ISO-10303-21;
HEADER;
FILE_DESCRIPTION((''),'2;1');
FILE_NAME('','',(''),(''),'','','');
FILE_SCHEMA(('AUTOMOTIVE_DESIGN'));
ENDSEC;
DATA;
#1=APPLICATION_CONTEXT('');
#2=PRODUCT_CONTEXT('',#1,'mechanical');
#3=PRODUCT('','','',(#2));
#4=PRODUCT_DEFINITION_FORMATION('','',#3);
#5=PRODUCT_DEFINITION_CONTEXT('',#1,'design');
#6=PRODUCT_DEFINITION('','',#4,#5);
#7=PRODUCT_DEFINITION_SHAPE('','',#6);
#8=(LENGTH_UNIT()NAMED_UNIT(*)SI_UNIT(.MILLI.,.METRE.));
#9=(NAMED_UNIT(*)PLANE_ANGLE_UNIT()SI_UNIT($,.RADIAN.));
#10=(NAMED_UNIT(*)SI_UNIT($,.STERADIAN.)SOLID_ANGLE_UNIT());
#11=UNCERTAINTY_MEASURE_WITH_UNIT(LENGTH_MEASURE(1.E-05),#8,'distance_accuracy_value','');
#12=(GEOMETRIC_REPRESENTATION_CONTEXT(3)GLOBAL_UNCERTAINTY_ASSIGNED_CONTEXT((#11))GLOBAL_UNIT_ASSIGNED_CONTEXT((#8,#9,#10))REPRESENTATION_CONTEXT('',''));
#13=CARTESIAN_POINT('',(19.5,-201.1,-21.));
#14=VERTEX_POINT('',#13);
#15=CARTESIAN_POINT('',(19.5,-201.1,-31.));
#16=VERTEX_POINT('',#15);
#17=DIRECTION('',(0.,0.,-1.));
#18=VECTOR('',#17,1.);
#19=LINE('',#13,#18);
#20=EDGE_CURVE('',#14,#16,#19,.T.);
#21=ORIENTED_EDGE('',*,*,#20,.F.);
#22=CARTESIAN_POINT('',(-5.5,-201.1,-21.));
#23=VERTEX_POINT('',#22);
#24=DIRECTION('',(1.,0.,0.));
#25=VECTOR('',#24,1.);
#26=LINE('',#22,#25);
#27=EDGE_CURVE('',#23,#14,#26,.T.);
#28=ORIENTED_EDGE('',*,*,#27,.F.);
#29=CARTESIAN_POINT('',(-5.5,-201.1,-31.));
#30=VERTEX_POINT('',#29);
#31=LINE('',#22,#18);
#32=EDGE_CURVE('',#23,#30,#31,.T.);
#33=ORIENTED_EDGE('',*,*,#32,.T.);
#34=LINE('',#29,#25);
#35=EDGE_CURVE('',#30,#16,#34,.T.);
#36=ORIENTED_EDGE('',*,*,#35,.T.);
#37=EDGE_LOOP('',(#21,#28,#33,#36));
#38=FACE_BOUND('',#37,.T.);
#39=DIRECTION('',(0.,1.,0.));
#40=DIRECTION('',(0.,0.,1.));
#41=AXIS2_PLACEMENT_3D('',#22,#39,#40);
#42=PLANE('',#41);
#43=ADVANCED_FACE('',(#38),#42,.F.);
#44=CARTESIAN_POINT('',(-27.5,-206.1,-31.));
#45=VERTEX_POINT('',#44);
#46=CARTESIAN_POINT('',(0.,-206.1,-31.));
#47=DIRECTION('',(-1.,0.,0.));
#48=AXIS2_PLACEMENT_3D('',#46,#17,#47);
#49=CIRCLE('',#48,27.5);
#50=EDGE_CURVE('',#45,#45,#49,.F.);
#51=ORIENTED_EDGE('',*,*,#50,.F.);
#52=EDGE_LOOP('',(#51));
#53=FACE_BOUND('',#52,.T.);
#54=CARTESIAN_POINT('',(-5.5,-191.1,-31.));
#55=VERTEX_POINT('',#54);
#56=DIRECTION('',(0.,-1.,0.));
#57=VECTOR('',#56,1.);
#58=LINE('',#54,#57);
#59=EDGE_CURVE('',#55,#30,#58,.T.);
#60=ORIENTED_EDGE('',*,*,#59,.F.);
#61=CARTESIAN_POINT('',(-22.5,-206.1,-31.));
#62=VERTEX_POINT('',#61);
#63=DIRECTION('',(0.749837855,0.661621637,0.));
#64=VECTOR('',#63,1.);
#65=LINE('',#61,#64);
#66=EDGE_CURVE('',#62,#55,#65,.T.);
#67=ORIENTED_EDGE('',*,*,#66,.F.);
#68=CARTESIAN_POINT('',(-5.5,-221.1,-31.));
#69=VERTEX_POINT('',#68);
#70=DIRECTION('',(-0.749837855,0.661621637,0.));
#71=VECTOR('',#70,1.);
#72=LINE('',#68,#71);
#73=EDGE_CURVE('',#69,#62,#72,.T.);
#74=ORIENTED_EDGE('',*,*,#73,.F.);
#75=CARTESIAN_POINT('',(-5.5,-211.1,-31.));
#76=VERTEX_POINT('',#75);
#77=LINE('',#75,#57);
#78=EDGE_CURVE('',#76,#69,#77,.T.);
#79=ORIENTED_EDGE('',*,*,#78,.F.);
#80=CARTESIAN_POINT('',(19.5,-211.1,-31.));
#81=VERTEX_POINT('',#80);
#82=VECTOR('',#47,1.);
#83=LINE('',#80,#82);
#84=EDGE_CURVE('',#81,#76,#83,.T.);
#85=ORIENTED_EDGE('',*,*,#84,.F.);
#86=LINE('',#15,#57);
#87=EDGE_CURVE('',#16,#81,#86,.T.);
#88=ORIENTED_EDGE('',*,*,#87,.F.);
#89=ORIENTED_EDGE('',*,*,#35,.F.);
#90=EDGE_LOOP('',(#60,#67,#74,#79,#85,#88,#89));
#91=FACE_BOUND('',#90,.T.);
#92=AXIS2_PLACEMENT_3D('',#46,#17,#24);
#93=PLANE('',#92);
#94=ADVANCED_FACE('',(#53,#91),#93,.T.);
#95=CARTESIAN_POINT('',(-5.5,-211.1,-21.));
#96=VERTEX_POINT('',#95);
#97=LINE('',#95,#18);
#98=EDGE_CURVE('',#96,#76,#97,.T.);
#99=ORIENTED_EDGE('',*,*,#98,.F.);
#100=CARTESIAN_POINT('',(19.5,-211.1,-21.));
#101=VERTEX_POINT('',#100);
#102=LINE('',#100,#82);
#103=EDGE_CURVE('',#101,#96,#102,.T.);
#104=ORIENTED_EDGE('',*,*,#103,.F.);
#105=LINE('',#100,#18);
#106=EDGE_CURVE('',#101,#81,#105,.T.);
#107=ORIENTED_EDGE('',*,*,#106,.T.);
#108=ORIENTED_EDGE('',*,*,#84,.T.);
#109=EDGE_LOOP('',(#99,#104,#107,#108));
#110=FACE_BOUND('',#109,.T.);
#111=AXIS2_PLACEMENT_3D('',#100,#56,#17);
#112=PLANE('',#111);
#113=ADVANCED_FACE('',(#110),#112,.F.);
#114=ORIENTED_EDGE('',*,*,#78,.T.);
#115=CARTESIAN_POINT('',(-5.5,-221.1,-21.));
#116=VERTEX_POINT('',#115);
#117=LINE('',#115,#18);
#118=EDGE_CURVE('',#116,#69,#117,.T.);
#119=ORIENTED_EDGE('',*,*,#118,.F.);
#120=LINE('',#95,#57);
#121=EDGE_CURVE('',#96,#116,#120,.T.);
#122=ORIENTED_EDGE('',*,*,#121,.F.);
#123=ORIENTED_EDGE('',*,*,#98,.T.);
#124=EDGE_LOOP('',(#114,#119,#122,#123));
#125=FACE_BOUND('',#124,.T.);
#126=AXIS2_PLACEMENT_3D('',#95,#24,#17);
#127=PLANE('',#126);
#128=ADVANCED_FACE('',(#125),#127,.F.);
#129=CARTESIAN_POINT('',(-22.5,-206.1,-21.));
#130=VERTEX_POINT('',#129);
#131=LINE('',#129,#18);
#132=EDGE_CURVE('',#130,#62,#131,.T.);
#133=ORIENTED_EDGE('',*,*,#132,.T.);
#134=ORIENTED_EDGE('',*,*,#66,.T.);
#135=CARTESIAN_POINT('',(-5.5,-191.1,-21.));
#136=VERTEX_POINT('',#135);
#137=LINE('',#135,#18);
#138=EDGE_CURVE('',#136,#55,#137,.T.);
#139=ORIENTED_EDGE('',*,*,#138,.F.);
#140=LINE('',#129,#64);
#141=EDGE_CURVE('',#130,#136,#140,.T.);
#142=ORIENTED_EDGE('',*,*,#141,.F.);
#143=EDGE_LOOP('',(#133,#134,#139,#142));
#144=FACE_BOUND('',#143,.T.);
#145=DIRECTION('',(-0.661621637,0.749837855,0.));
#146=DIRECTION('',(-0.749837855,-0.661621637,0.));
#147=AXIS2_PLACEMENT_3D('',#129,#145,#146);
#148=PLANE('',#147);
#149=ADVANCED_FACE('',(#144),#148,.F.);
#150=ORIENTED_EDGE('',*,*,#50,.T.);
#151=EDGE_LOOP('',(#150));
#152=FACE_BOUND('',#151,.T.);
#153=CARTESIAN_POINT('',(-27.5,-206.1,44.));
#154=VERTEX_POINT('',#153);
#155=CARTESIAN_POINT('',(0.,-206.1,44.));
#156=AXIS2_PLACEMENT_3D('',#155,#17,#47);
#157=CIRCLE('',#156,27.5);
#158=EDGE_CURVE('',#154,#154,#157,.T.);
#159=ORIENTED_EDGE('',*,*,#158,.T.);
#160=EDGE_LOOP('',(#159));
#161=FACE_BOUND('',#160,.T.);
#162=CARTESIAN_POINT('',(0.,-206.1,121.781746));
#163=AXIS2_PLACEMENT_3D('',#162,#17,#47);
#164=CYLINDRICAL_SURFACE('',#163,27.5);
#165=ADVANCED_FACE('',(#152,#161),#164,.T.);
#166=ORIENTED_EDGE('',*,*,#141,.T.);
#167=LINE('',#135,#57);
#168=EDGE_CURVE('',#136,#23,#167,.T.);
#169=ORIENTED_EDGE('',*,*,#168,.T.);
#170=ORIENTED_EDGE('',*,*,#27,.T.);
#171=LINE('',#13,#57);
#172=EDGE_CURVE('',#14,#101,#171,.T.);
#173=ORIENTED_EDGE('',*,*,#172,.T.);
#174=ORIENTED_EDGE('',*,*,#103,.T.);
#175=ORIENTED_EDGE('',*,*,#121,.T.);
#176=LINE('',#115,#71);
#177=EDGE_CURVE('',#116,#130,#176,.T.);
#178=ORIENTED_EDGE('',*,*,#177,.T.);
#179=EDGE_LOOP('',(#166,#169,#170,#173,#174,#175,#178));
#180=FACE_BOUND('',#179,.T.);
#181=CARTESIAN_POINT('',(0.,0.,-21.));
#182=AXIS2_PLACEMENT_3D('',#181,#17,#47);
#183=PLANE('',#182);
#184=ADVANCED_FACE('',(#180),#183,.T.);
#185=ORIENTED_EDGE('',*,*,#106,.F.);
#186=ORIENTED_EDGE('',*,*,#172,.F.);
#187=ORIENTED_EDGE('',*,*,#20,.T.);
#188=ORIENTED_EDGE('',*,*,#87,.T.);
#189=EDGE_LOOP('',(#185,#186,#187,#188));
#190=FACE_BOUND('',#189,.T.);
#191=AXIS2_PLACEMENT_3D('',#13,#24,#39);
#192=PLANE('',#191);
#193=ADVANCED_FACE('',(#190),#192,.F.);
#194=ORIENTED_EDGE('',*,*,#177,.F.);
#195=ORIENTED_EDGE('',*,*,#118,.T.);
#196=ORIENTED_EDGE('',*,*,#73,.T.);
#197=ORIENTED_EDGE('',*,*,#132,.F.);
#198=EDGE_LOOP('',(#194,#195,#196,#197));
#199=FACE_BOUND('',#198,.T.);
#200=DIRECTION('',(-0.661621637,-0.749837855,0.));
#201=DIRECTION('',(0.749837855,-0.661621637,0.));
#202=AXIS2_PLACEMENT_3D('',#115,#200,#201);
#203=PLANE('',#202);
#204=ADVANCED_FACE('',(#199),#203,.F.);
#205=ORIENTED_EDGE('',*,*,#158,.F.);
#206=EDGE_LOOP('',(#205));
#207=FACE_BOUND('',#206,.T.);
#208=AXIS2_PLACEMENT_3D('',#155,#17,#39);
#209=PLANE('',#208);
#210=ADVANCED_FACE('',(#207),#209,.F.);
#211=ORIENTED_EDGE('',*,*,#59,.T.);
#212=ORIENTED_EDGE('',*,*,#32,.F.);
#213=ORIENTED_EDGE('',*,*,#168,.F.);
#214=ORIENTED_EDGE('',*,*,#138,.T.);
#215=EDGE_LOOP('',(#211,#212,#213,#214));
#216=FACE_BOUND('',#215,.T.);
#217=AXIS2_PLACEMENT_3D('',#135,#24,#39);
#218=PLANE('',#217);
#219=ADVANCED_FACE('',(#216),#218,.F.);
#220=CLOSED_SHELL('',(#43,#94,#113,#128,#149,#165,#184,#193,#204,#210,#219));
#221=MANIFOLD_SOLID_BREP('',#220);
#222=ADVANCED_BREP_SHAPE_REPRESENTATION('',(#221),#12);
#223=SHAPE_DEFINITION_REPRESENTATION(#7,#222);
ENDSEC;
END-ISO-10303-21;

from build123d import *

# Parameters (mm, degrees)
SKETCH1_R                = 27.5
BOSS_EXTRUDE1_DEPTH      = 44
BOSS_EXTRUDE1_DEPTH_BACK = 31
CUT_EXTRUDE1_DEPTH       = 10


with BuildPart() as part:
    # Sketch1 → Boss-Extrude1 (new body, two sides)
    with BuildSketch(Plane.XY) as boss_extrude1_sk:
        with Locations((0, -206.1)):
            Circle(SKETCH1_R)
    extrude(amount=BOSS_EXTRUDE1_DEPTH)
    extrude(boss_extrude1_sk.sketch, amount=-BOSS_EXTRUDE1_DEPTH_BACK)

    # Sketch2 → Cut-Extrude1 (cut)
    with BuildSketch(Plane(origin=(0, 0, -31), x_dir=(-1, 0, 0), z_dir=(0, 0, -1))):
        Polygon((22.5, -206.1), (5.5, -191.1), (5.5, -201.1), (-19.5, -201.1), (-19.5, -211.1), (5.5, -211.1), (5.5, -221.1), align=None)
    extrude(amount=-CUT_EXTRUDE1_DEPTH, mode=Mode.SUBTRACT)


solid = part.part
